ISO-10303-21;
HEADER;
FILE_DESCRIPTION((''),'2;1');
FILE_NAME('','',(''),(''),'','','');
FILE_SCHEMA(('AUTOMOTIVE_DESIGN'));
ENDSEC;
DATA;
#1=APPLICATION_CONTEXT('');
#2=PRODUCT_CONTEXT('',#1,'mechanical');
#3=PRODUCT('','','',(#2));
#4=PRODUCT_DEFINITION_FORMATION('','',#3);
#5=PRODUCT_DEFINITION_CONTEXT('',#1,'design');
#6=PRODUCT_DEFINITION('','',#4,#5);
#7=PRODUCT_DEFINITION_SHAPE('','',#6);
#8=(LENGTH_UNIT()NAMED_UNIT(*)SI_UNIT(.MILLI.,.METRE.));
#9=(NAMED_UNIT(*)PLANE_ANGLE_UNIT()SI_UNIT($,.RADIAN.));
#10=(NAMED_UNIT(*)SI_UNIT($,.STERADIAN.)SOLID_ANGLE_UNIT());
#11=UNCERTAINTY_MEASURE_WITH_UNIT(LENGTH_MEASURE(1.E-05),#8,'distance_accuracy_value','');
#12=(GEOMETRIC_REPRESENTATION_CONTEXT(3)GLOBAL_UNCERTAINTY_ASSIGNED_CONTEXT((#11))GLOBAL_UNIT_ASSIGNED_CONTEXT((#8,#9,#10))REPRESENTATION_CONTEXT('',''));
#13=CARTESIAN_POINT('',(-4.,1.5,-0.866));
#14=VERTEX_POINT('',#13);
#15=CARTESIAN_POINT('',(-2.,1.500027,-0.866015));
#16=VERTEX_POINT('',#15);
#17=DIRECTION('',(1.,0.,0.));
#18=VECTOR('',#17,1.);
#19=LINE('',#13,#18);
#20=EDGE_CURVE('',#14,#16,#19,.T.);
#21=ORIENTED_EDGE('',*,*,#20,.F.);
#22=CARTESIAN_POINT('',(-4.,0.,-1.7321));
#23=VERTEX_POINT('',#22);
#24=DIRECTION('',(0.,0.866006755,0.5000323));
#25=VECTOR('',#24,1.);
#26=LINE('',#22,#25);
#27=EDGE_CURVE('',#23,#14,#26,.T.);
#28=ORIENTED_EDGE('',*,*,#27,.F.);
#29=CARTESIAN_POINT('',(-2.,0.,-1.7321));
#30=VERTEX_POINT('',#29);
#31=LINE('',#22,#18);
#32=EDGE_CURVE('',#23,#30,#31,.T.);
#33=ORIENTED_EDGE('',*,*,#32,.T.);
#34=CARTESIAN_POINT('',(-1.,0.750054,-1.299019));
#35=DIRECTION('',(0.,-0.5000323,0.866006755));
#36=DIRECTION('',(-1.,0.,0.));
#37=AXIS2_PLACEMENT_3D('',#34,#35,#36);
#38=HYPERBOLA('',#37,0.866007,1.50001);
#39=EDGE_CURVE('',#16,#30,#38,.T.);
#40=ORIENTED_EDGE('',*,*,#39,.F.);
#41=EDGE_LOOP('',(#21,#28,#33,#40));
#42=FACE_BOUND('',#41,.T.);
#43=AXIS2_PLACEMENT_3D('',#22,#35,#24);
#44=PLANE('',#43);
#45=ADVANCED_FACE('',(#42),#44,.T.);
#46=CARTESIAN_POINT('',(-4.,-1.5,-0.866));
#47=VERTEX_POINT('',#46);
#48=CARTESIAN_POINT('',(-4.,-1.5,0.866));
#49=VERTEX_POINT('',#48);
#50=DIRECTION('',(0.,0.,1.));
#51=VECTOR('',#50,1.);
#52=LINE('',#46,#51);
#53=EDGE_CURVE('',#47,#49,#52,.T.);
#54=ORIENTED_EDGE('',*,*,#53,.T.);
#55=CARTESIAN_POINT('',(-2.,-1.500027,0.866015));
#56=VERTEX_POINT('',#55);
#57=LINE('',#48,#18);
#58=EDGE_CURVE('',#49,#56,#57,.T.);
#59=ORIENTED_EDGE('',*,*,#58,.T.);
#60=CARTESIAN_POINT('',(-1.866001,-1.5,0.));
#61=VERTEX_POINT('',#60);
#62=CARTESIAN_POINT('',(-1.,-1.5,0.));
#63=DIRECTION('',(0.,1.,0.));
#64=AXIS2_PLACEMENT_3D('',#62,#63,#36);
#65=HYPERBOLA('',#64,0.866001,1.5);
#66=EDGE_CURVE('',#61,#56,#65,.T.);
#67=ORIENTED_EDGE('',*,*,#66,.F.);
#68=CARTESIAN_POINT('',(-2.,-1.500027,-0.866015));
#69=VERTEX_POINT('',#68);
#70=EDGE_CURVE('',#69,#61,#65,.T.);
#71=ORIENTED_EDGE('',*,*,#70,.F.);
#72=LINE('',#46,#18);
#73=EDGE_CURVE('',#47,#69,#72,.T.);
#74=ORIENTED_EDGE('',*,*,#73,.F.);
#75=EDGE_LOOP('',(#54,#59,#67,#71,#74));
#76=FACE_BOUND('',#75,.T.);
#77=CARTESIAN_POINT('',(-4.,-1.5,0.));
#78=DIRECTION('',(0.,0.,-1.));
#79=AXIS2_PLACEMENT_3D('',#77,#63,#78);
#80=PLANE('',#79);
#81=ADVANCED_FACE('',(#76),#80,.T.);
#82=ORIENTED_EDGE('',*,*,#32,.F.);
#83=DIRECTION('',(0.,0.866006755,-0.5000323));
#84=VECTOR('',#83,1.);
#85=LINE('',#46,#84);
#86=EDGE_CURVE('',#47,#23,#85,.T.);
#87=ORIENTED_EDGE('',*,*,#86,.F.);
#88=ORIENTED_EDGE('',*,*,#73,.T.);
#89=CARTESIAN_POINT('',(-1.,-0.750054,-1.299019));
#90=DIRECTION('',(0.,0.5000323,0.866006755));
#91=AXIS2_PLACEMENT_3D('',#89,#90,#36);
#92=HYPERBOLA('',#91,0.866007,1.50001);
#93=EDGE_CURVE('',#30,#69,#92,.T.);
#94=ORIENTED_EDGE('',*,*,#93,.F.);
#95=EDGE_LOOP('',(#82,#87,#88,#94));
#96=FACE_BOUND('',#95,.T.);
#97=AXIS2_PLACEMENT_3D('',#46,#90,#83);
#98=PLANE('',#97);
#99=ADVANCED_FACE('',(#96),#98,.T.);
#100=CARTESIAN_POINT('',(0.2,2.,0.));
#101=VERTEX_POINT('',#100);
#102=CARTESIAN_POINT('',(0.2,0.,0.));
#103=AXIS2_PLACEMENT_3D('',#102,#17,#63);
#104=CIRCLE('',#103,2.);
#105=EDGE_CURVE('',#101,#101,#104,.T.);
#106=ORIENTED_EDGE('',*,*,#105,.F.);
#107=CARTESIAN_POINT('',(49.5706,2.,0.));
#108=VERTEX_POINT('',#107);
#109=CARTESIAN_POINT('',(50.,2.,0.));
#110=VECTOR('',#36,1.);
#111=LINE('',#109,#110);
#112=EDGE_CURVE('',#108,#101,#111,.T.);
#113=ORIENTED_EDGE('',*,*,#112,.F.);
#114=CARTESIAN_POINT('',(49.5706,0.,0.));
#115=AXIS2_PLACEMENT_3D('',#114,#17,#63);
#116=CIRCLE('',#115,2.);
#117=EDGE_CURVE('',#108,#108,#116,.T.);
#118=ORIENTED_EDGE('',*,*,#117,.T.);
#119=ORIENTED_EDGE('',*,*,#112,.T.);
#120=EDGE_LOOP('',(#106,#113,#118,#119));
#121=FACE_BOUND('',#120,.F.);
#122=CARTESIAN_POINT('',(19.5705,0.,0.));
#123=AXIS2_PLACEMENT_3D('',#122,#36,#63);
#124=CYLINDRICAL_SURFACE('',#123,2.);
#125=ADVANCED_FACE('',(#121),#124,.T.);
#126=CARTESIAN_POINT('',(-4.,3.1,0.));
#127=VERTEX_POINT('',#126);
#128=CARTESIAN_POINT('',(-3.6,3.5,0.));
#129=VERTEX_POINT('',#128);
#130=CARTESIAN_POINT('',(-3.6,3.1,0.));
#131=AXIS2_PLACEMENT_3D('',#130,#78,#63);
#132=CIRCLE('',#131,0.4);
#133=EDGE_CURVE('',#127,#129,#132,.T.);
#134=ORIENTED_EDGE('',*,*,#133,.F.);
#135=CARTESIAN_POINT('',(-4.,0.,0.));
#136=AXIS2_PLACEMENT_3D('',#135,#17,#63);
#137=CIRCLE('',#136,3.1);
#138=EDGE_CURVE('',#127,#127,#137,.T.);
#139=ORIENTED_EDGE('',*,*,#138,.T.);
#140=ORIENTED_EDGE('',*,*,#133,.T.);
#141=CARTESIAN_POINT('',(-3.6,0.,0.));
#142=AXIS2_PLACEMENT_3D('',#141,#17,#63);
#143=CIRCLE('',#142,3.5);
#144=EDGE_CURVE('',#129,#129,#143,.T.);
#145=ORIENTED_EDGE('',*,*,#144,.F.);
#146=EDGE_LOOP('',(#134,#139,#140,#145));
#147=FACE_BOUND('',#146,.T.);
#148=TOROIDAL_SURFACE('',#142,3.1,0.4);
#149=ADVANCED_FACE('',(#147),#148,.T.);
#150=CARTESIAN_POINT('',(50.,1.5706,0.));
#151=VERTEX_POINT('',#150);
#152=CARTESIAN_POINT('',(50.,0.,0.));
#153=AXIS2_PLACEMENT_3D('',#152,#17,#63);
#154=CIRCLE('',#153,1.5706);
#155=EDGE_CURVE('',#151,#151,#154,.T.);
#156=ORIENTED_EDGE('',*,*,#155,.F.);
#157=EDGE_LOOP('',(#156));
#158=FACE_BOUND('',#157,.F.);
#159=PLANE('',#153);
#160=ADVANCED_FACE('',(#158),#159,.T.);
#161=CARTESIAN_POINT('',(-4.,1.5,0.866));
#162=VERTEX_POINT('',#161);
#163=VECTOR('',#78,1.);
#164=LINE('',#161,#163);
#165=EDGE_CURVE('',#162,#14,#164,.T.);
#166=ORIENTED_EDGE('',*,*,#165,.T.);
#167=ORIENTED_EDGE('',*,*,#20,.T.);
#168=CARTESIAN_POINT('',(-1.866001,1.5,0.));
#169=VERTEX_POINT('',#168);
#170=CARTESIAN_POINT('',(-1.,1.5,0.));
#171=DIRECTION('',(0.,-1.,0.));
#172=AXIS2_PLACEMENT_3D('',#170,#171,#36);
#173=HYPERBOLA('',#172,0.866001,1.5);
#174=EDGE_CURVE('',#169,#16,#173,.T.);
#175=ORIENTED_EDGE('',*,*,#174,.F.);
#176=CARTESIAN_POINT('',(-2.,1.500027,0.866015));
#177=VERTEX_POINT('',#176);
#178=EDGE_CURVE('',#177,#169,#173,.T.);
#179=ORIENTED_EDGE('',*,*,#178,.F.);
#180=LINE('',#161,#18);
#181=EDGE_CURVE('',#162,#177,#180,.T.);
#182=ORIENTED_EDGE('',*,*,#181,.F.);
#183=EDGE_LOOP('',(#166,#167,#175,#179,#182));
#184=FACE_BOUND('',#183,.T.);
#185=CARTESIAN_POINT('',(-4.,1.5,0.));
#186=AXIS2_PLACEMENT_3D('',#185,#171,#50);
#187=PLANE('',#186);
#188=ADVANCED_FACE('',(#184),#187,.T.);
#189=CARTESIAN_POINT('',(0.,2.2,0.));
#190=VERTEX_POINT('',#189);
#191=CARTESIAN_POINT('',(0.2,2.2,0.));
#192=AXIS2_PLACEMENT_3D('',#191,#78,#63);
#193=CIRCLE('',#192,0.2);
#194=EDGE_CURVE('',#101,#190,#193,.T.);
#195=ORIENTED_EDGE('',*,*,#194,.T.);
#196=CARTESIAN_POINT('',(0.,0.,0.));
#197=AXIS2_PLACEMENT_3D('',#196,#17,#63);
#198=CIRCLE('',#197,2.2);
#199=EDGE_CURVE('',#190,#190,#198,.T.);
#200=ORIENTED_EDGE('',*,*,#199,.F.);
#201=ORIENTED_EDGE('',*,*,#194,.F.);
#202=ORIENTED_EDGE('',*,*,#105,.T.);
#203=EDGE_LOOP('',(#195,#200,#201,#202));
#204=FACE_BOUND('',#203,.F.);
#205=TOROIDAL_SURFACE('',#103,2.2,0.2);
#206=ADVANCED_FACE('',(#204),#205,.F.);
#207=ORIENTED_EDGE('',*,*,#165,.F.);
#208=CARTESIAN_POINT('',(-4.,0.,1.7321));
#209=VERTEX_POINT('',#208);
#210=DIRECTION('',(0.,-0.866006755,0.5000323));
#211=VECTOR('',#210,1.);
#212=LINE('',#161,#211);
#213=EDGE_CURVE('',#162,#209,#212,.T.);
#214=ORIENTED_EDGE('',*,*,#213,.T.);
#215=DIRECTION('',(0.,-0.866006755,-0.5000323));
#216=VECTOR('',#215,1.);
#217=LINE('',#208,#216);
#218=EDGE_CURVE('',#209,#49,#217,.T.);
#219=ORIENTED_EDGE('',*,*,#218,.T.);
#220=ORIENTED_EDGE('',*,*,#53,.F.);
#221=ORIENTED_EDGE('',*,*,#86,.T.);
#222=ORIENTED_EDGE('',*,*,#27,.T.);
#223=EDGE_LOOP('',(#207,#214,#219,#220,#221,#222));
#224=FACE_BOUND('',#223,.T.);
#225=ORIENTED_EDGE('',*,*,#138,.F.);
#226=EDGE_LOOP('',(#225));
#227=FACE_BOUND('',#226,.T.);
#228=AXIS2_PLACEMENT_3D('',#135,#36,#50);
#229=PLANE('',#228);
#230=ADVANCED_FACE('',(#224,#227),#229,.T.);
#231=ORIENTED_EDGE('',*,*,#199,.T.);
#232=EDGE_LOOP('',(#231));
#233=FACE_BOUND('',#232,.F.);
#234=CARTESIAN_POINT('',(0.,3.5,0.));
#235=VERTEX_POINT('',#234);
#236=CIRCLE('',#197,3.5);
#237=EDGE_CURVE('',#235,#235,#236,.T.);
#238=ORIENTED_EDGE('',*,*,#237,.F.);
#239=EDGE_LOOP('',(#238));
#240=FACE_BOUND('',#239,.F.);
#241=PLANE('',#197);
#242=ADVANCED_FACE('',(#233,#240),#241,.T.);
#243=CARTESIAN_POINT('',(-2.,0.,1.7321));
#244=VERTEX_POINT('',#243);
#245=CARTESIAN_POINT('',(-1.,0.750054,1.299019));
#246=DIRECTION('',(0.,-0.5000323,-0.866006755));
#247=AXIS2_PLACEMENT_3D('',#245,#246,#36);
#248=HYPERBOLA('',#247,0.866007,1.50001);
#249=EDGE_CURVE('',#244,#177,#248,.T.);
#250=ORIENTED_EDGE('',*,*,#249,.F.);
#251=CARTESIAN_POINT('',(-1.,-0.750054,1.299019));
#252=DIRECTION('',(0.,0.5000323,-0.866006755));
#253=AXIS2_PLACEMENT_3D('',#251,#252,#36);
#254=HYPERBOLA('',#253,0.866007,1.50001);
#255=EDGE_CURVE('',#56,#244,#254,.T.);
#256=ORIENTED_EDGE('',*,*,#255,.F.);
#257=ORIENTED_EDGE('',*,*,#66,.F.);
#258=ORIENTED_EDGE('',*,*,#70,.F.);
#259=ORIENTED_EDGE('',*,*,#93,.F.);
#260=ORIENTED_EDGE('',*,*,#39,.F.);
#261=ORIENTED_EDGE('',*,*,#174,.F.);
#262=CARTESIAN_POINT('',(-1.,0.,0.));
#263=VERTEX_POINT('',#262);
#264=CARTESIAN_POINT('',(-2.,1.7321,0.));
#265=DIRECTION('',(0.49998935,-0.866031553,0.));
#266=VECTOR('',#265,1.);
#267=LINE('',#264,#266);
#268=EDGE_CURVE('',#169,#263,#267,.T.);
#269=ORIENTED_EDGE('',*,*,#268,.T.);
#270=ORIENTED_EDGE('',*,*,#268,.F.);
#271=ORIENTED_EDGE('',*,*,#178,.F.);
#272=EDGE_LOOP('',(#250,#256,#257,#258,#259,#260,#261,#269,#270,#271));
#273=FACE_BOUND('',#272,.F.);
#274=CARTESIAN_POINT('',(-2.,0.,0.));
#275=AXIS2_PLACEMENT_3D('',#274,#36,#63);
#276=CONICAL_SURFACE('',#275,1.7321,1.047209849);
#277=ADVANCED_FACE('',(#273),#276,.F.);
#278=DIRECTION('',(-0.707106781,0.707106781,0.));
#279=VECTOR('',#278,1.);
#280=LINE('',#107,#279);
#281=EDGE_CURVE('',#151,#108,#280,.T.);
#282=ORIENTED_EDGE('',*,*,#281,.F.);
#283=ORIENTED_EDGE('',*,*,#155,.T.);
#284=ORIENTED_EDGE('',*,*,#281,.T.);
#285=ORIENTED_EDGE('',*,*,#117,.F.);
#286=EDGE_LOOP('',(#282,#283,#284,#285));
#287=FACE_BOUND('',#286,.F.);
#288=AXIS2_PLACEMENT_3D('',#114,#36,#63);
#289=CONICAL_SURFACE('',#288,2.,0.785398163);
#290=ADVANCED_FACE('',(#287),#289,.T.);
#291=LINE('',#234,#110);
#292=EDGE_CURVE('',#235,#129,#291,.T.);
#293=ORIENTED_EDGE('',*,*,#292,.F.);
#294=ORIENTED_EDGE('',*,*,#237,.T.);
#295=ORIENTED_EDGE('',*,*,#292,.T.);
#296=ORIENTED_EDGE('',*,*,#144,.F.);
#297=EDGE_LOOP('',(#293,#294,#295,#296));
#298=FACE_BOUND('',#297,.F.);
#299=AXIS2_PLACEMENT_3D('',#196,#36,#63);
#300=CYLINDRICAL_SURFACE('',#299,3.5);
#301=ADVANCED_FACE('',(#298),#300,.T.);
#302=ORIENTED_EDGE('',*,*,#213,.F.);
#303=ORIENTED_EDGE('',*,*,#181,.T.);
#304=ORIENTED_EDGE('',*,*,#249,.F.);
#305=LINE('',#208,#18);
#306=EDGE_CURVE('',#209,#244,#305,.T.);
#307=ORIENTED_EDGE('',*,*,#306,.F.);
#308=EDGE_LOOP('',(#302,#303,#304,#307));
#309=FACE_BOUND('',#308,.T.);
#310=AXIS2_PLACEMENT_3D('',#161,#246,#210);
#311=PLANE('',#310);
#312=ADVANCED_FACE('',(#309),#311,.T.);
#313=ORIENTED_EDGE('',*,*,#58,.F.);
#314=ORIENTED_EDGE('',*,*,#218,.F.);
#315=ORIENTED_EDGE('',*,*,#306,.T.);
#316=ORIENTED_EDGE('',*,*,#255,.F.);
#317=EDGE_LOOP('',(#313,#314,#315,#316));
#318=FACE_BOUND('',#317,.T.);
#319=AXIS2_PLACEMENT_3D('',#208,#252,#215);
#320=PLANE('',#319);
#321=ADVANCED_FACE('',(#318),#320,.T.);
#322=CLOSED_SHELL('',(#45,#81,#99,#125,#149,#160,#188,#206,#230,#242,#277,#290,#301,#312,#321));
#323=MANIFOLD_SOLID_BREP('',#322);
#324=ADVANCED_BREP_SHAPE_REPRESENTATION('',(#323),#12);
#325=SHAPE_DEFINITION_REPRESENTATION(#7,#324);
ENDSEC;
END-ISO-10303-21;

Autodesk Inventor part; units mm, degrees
ref_plane "YZ Plane" through (0, 0, 0) normal (1, 0, 0) x (0, 1, 0)
ref_plane "XZ Plane" through (0, 0, 0) normal (0, 1, 0) x (-1, 0, 0)
sketch "Skizze1" plane through (0, 0, 0) normal (0, 0, 1) x (1, 0, 0)
  line L0 (-1, 0) -> (50, 0)
  line L1 (50, 0) -> (50, 2)
  line L2 (50, 2) -> (20, 2)
  line L3 (20, 2) -> (19.5705, 2)
  line L4 (19.5705, 2) -> (0, 2)
  line L5 (0, 2) -> (0, 3.5)
  line L6 (0, 3.5) -> (-4, 3.5)
  line L7 (-4, 3.5) -> (-4, 1.7321)
  line L8 (-4, 1.7321) -> (-2, 1.7321)
  line L9 (-2, 1.7321) -> (-1, 0)
  line L10 (-14.8, 0) -> (60.8, 0) projected
  line L11 (0, -0.7) -> (0, 4.2) projected
  line L12 (20, 2) -> (0, 2) construction
  dimension "d1" = 30
  dimension "d2" = 0.4295
  dimension "d3" = 4
  dimension "d4" = 2
  dimension "d5" = 60
  dimension "d6" = 4
  dimension "d7" = 4
  dimension "d8" = 3.4641
  dimension "d9" = 7
  dimension "d26" = 50
revolve "Körper" add sketch "Skizze1" angle 360 about axis through (-1, 0, 0) along (1, 0, 0)
sketch "Skizze2" plane through (-4, 0, 0) normal (-1, 0, 0) x (0, 0, 1)
  circle A0 centre (0, 0) radius 1.7321 projected
  line L0 (0, -4.9) -> (0, 4.9) projected
  line L1 (-4.9, 0) -> (4.9, 0) projected
  line L2 (1.7321, 0) -> (0.866, -1.5)
  line L3 (0.866, -1.5) -> (-0.866, -1.5)
  line L4 (-0.866, -1.5) -> (-1.7321, 0)
  line L5 (-1.7321, 0) -> (-0.866, 1.5)
  line L6 (-0.866, 1.5) -> (0.866, 1.5)
  line L7 (0.866, 1.5) -> (1.7321, 0)
extrude "Loch" add sketch "Skizze2" against normal up to next contours L7 A0 | A0 L2 | L6 L0 A0 | A0 L0 L3 | L0 L6 A0 | A0 L3 L0 | L4 A0 | A0 L5
fillet "Rundung1" radius 0.4 1 edges at (-4, -3.5, 0)
thread "Gewinde" size "M4x0.7" class "6g" standard "ISO Metric profile" length 30
chamfer "Fase1" distance 0.4294 distance2 0.4294 1 edges at (50, -2, 0) measured on face at (50, -0.2007, 0.5552)
ref_plane "Work Plane1" through (29, 0, 0) normal (0, -1, 0) x (1, 0, 0)
fillet "Fillet2" radius 0.2 1 edges at (0, -2, 0)
equation "\"d1\" = GEL"
equation "\"d3\" = KOH"
equation "\"d4\" = INTI"
equation "\"d6\" = GD"
equation "\"d7\" = BDM"
equation "\"d8\" = 1.1547 * SW"
equation "\"d9\" = KOD"
equation "\"d26\" = NLG"
equation "\"d30\" = R"
equation "\"d17\" = RR"
equation "\"d13\" = GEL"
equation "\"d15\" = -0.5 * SPD + 0.5 * GD"
equation "\"d16\" = GUL"
equation "\"GD\" = NND"
equation "\"NLG\" = 50"
equation "\"GEL\" = 30"
equation "\"KOD\" = 7"
equation "\"KOH\" = 4"
equation "\"INTI\" = 2"
equation "\"GAL\" = 0.61345 * PTC"
equation "\"GUL\" = 0.61345 * PTC"
equation "\"BDM\" = NND"
equation "\"SW\" = 3"
equation "\"RR\" = 0.4"
equation "\"SPD\" = NND - 1.2269 * PTC"
equation "\"R\" = 0.2"
equation "\"TOA\" = 30deg"
equation "\"GD1\" = THREADDIA - 1.2269 * PTC"
equation "\"THREADDIA\" = 4"
equation "\"FAWI\" = 45deg"
equation "\"ANG\" = 120deg"
equation "\"PTC\" = 0.7"
equation "\"NND\" = 4"
equation "\"E0\" = 1.155 * SW"
properties part number "DIN 912 - M4 x 50" material "Stahl, weich"
